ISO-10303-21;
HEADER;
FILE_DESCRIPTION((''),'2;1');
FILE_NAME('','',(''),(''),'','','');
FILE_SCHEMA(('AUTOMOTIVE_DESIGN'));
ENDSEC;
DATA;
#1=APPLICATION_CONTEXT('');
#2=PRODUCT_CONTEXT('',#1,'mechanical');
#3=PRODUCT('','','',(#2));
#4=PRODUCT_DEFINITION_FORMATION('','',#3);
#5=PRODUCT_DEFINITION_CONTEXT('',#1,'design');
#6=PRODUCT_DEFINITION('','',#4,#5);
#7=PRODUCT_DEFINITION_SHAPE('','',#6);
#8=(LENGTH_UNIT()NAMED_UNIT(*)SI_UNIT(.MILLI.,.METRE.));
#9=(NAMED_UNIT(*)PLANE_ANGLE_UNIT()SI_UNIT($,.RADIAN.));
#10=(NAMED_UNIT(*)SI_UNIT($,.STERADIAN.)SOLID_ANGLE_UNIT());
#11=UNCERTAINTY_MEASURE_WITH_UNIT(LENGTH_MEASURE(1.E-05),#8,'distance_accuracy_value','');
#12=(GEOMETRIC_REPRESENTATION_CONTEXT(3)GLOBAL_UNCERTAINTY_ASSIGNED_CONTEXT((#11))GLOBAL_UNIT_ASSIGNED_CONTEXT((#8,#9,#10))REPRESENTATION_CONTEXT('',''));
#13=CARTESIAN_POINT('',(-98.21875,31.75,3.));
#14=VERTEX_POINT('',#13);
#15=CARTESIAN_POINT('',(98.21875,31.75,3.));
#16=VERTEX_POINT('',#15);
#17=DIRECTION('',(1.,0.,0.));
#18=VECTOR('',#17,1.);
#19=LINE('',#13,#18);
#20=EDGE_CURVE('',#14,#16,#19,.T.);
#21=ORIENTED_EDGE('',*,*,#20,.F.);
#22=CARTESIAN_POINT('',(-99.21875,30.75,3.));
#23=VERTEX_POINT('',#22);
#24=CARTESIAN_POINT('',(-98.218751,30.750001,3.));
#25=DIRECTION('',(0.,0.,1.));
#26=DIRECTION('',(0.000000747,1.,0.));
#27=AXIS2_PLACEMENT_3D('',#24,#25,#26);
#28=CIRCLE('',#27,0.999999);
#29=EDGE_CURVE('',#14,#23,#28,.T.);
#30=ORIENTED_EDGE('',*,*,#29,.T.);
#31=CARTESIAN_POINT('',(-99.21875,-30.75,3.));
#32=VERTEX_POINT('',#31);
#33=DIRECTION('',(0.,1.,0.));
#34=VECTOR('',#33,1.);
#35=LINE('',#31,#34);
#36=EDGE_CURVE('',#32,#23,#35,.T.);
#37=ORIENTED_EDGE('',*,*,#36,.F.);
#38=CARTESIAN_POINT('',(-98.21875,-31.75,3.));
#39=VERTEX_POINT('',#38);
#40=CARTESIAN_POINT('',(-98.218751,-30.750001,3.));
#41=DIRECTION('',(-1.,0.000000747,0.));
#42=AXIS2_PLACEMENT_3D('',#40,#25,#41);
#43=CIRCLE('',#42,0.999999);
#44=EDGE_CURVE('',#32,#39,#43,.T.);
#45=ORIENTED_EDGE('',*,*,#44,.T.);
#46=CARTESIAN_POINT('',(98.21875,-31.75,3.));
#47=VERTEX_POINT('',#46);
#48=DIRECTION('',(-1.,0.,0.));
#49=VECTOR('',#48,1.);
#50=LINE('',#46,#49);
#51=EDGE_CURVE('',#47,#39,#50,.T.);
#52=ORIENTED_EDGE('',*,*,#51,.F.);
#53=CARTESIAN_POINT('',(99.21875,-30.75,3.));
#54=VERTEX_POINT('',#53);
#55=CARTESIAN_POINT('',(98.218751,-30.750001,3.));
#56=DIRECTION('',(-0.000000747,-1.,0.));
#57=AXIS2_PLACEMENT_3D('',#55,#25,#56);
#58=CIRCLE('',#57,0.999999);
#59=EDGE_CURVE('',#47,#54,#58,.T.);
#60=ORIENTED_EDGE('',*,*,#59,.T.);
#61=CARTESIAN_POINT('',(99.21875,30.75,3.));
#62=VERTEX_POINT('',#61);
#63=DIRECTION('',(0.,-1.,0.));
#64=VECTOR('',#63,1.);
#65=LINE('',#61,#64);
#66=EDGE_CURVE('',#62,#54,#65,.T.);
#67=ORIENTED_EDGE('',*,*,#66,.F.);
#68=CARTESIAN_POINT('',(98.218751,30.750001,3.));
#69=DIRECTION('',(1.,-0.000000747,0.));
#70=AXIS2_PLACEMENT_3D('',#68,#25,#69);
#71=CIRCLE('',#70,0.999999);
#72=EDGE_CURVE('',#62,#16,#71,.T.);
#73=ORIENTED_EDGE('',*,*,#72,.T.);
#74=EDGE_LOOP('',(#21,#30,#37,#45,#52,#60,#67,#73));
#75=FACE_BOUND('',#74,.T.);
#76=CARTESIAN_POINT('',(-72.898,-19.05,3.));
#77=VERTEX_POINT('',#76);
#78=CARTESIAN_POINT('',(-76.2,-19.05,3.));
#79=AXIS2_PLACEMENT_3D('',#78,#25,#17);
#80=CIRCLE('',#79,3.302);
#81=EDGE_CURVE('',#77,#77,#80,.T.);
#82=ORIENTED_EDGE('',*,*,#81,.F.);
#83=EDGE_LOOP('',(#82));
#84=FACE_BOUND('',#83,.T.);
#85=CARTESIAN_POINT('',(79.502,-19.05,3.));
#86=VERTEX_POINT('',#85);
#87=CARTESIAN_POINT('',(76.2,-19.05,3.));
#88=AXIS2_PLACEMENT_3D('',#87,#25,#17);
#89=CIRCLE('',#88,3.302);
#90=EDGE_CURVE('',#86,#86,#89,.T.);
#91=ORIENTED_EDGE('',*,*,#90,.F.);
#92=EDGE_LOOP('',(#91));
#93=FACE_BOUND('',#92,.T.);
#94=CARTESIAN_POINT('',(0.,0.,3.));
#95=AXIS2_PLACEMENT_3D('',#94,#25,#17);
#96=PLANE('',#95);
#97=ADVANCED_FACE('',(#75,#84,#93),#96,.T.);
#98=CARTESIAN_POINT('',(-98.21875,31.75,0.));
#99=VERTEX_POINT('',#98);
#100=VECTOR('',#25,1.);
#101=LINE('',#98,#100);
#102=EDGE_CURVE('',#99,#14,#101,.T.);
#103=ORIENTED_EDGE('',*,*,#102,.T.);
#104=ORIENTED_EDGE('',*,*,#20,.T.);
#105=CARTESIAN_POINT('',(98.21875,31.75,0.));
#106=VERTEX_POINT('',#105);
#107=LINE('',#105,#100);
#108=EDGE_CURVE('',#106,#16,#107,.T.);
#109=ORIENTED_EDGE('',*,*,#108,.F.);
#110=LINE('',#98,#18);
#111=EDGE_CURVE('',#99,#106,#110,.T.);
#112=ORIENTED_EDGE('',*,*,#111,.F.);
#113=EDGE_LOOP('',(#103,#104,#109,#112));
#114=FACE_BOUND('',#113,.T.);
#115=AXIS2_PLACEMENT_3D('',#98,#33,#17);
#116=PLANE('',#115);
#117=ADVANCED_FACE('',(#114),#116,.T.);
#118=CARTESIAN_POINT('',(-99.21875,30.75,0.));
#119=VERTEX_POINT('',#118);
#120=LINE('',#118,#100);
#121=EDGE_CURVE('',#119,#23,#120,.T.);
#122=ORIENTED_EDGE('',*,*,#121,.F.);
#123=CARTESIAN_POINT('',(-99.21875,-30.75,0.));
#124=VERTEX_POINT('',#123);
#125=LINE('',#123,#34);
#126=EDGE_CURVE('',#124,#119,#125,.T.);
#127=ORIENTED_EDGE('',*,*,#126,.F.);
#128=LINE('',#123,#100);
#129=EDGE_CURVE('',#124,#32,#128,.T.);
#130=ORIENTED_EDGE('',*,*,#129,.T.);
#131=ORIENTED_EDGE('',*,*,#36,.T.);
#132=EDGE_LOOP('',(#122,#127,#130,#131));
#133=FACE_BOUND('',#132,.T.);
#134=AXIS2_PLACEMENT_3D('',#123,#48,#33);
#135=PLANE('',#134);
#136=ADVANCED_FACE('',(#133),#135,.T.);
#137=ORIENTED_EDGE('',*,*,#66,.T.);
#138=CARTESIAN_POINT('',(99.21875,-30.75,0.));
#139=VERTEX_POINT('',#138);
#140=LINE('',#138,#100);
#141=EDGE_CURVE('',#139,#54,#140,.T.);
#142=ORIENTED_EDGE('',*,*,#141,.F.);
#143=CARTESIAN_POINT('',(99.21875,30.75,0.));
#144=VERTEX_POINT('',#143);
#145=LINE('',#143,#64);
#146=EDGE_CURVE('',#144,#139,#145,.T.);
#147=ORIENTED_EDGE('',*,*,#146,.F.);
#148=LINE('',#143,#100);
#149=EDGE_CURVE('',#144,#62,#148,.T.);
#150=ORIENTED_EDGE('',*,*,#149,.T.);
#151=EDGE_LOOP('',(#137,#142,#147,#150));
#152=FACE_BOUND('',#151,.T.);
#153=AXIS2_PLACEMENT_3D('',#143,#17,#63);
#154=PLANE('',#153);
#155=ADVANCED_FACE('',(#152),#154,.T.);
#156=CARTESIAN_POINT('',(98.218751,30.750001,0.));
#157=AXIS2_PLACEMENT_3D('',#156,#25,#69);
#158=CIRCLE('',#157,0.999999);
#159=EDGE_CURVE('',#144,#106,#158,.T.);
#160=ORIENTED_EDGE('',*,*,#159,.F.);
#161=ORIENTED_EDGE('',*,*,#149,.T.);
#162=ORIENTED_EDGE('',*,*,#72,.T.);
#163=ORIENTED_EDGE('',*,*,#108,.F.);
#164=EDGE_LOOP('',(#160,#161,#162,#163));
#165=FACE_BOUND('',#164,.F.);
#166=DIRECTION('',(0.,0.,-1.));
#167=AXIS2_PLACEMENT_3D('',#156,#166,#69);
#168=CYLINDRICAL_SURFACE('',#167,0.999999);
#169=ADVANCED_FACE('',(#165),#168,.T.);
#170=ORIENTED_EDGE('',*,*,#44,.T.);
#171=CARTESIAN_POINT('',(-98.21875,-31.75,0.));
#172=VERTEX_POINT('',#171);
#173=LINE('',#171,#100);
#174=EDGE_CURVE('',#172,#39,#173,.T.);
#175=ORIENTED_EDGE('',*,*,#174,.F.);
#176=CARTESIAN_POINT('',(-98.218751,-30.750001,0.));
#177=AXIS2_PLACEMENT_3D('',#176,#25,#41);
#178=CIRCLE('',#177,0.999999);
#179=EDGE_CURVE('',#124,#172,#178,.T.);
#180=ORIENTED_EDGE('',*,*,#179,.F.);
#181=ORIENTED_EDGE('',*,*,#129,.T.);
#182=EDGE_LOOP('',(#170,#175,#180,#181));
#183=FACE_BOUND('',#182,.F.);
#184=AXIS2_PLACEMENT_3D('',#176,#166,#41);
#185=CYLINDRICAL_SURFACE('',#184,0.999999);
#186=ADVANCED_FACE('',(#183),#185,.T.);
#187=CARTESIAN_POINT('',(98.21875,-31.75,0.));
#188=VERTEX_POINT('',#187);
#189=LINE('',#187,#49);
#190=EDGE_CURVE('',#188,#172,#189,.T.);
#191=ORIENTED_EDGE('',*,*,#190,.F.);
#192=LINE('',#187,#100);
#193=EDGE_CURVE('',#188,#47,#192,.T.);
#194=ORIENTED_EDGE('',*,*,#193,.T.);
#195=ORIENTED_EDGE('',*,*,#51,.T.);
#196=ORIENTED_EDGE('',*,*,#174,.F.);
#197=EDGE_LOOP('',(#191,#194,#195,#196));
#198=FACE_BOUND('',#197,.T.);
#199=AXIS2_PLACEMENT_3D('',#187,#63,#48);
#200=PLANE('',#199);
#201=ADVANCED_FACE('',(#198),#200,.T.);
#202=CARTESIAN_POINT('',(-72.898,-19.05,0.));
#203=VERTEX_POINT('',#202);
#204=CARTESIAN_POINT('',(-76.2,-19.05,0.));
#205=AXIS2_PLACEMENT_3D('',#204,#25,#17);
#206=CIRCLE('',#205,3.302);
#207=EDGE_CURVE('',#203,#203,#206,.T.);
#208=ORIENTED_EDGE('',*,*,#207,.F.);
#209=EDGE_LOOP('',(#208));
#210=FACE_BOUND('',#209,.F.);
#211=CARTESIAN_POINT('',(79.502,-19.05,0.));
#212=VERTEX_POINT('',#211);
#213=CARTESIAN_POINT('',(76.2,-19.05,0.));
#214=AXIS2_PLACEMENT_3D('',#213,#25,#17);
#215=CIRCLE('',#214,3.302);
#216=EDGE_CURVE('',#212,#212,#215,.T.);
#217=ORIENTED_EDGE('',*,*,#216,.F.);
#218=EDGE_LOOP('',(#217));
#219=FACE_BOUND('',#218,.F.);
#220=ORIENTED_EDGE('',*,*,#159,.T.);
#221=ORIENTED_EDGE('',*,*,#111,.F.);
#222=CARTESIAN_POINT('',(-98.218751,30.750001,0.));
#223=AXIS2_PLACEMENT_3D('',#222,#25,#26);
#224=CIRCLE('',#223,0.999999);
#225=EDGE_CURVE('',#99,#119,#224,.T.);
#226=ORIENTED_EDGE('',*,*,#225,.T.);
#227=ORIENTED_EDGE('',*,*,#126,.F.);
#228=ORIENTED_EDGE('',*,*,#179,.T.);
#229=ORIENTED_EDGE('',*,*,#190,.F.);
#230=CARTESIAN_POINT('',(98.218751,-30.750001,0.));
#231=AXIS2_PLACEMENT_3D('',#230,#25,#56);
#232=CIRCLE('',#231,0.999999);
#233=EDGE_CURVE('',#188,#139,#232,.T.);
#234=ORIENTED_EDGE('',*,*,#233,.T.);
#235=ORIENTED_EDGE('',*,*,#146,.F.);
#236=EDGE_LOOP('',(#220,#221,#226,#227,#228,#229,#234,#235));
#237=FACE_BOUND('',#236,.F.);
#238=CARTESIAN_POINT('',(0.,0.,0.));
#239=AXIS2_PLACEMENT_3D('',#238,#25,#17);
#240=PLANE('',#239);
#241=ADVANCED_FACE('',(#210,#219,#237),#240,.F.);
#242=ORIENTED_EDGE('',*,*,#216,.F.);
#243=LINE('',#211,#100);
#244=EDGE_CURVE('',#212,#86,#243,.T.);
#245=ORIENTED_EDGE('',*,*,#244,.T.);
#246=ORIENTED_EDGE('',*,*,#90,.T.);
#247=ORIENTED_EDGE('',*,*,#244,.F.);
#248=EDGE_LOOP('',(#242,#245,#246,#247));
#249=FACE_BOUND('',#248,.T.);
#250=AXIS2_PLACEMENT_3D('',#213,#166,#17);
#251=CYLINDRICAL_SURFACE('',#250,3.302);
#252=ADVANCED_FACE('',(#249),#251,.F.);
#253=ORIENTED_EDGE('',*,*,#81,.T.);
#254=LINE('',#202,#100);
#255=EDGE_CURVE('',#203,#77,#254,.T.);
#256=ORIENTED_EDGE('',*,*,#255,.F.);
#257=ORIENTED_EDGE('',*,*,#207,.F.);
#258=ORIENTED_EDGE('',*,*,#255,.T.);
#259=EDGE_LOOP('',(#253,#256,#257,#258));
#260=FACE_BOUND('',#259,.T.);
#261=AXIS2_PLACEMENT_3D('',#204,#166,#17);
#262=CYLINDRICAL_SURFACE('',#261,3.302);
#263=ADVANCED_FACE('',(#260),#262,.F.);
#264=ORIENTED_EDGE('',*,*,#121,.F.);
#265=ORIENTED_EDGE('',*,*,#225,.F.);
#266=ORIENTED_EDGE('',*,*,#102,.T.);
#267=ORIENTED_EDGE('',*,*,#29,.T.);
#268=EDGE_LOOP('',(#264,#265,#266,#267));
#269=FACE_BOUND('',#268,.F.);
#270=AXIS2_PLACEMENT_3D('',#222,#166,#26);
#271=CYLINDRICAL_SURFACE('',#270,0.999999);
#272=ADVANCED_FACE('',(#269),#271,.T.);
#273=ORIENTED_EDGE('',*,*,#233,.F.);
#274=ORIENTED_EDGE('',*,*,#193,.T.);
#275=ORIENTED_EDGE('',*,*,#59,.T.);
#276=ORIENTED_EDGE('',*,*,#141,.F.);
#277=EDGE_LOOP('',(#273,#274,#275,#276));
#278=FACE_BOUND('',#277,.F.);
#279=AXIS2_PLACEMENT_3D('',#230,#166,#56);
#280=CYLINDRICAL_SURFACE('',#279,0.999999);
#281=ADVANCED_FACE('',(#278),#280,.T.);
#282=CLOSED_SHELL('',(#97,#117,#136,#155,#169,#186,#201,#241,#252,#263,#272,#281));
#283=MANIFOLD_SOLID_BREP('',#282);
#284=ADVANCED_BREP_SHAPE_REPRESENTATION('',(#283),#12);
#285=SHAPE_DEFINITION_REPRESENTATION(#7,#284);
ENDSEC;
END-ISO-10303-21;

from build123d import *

# Parameters (mm, degrees)
SKETCH_R  = 3.302
PAD_DEPTH = 3


with BuildPart() as part:
    # Sketch → Pad (new body)
    with BuildSketch(Plane.XY):
        with BuildLine():
            ThreePointArc((-98.21875, 31.75), (-98.925857, 31.457107), (-99.21875, 30.75))
            Line((-99.21875, -30.75), (-99.21875, 30.75))
            ThreePointArc((-99.21875, -30.75), (-98.925857, -31.457107), (-98.21875, -31.75))
            Line((98.21875, -31.75), (-98.21875, -31.75))
            ThreePointArc((98.21875, -31.75), (98.925857, -31.457107), (99.21875, -30.75))
            Line((99.21875, 30.75), (99.21875, -30.75))
            ThreePointArc((99.21875, 30.75), (98.925857, 31.457107), (98.21875, 31.75))
            Line((-98.21875, 31.75), (98.21875, 31.75))
        make_face()
        with Locations((-76.2, -19.05)):
            Circle(SKETCH_R, mode=Mode.SUBTRACT)
        with Locations((76.2, -19.05)):
            Circle(SKETCH_R, mode=Mode.SUBTRACT)
    extrude(amount=PAD_DEPTH)


solid = part.part
